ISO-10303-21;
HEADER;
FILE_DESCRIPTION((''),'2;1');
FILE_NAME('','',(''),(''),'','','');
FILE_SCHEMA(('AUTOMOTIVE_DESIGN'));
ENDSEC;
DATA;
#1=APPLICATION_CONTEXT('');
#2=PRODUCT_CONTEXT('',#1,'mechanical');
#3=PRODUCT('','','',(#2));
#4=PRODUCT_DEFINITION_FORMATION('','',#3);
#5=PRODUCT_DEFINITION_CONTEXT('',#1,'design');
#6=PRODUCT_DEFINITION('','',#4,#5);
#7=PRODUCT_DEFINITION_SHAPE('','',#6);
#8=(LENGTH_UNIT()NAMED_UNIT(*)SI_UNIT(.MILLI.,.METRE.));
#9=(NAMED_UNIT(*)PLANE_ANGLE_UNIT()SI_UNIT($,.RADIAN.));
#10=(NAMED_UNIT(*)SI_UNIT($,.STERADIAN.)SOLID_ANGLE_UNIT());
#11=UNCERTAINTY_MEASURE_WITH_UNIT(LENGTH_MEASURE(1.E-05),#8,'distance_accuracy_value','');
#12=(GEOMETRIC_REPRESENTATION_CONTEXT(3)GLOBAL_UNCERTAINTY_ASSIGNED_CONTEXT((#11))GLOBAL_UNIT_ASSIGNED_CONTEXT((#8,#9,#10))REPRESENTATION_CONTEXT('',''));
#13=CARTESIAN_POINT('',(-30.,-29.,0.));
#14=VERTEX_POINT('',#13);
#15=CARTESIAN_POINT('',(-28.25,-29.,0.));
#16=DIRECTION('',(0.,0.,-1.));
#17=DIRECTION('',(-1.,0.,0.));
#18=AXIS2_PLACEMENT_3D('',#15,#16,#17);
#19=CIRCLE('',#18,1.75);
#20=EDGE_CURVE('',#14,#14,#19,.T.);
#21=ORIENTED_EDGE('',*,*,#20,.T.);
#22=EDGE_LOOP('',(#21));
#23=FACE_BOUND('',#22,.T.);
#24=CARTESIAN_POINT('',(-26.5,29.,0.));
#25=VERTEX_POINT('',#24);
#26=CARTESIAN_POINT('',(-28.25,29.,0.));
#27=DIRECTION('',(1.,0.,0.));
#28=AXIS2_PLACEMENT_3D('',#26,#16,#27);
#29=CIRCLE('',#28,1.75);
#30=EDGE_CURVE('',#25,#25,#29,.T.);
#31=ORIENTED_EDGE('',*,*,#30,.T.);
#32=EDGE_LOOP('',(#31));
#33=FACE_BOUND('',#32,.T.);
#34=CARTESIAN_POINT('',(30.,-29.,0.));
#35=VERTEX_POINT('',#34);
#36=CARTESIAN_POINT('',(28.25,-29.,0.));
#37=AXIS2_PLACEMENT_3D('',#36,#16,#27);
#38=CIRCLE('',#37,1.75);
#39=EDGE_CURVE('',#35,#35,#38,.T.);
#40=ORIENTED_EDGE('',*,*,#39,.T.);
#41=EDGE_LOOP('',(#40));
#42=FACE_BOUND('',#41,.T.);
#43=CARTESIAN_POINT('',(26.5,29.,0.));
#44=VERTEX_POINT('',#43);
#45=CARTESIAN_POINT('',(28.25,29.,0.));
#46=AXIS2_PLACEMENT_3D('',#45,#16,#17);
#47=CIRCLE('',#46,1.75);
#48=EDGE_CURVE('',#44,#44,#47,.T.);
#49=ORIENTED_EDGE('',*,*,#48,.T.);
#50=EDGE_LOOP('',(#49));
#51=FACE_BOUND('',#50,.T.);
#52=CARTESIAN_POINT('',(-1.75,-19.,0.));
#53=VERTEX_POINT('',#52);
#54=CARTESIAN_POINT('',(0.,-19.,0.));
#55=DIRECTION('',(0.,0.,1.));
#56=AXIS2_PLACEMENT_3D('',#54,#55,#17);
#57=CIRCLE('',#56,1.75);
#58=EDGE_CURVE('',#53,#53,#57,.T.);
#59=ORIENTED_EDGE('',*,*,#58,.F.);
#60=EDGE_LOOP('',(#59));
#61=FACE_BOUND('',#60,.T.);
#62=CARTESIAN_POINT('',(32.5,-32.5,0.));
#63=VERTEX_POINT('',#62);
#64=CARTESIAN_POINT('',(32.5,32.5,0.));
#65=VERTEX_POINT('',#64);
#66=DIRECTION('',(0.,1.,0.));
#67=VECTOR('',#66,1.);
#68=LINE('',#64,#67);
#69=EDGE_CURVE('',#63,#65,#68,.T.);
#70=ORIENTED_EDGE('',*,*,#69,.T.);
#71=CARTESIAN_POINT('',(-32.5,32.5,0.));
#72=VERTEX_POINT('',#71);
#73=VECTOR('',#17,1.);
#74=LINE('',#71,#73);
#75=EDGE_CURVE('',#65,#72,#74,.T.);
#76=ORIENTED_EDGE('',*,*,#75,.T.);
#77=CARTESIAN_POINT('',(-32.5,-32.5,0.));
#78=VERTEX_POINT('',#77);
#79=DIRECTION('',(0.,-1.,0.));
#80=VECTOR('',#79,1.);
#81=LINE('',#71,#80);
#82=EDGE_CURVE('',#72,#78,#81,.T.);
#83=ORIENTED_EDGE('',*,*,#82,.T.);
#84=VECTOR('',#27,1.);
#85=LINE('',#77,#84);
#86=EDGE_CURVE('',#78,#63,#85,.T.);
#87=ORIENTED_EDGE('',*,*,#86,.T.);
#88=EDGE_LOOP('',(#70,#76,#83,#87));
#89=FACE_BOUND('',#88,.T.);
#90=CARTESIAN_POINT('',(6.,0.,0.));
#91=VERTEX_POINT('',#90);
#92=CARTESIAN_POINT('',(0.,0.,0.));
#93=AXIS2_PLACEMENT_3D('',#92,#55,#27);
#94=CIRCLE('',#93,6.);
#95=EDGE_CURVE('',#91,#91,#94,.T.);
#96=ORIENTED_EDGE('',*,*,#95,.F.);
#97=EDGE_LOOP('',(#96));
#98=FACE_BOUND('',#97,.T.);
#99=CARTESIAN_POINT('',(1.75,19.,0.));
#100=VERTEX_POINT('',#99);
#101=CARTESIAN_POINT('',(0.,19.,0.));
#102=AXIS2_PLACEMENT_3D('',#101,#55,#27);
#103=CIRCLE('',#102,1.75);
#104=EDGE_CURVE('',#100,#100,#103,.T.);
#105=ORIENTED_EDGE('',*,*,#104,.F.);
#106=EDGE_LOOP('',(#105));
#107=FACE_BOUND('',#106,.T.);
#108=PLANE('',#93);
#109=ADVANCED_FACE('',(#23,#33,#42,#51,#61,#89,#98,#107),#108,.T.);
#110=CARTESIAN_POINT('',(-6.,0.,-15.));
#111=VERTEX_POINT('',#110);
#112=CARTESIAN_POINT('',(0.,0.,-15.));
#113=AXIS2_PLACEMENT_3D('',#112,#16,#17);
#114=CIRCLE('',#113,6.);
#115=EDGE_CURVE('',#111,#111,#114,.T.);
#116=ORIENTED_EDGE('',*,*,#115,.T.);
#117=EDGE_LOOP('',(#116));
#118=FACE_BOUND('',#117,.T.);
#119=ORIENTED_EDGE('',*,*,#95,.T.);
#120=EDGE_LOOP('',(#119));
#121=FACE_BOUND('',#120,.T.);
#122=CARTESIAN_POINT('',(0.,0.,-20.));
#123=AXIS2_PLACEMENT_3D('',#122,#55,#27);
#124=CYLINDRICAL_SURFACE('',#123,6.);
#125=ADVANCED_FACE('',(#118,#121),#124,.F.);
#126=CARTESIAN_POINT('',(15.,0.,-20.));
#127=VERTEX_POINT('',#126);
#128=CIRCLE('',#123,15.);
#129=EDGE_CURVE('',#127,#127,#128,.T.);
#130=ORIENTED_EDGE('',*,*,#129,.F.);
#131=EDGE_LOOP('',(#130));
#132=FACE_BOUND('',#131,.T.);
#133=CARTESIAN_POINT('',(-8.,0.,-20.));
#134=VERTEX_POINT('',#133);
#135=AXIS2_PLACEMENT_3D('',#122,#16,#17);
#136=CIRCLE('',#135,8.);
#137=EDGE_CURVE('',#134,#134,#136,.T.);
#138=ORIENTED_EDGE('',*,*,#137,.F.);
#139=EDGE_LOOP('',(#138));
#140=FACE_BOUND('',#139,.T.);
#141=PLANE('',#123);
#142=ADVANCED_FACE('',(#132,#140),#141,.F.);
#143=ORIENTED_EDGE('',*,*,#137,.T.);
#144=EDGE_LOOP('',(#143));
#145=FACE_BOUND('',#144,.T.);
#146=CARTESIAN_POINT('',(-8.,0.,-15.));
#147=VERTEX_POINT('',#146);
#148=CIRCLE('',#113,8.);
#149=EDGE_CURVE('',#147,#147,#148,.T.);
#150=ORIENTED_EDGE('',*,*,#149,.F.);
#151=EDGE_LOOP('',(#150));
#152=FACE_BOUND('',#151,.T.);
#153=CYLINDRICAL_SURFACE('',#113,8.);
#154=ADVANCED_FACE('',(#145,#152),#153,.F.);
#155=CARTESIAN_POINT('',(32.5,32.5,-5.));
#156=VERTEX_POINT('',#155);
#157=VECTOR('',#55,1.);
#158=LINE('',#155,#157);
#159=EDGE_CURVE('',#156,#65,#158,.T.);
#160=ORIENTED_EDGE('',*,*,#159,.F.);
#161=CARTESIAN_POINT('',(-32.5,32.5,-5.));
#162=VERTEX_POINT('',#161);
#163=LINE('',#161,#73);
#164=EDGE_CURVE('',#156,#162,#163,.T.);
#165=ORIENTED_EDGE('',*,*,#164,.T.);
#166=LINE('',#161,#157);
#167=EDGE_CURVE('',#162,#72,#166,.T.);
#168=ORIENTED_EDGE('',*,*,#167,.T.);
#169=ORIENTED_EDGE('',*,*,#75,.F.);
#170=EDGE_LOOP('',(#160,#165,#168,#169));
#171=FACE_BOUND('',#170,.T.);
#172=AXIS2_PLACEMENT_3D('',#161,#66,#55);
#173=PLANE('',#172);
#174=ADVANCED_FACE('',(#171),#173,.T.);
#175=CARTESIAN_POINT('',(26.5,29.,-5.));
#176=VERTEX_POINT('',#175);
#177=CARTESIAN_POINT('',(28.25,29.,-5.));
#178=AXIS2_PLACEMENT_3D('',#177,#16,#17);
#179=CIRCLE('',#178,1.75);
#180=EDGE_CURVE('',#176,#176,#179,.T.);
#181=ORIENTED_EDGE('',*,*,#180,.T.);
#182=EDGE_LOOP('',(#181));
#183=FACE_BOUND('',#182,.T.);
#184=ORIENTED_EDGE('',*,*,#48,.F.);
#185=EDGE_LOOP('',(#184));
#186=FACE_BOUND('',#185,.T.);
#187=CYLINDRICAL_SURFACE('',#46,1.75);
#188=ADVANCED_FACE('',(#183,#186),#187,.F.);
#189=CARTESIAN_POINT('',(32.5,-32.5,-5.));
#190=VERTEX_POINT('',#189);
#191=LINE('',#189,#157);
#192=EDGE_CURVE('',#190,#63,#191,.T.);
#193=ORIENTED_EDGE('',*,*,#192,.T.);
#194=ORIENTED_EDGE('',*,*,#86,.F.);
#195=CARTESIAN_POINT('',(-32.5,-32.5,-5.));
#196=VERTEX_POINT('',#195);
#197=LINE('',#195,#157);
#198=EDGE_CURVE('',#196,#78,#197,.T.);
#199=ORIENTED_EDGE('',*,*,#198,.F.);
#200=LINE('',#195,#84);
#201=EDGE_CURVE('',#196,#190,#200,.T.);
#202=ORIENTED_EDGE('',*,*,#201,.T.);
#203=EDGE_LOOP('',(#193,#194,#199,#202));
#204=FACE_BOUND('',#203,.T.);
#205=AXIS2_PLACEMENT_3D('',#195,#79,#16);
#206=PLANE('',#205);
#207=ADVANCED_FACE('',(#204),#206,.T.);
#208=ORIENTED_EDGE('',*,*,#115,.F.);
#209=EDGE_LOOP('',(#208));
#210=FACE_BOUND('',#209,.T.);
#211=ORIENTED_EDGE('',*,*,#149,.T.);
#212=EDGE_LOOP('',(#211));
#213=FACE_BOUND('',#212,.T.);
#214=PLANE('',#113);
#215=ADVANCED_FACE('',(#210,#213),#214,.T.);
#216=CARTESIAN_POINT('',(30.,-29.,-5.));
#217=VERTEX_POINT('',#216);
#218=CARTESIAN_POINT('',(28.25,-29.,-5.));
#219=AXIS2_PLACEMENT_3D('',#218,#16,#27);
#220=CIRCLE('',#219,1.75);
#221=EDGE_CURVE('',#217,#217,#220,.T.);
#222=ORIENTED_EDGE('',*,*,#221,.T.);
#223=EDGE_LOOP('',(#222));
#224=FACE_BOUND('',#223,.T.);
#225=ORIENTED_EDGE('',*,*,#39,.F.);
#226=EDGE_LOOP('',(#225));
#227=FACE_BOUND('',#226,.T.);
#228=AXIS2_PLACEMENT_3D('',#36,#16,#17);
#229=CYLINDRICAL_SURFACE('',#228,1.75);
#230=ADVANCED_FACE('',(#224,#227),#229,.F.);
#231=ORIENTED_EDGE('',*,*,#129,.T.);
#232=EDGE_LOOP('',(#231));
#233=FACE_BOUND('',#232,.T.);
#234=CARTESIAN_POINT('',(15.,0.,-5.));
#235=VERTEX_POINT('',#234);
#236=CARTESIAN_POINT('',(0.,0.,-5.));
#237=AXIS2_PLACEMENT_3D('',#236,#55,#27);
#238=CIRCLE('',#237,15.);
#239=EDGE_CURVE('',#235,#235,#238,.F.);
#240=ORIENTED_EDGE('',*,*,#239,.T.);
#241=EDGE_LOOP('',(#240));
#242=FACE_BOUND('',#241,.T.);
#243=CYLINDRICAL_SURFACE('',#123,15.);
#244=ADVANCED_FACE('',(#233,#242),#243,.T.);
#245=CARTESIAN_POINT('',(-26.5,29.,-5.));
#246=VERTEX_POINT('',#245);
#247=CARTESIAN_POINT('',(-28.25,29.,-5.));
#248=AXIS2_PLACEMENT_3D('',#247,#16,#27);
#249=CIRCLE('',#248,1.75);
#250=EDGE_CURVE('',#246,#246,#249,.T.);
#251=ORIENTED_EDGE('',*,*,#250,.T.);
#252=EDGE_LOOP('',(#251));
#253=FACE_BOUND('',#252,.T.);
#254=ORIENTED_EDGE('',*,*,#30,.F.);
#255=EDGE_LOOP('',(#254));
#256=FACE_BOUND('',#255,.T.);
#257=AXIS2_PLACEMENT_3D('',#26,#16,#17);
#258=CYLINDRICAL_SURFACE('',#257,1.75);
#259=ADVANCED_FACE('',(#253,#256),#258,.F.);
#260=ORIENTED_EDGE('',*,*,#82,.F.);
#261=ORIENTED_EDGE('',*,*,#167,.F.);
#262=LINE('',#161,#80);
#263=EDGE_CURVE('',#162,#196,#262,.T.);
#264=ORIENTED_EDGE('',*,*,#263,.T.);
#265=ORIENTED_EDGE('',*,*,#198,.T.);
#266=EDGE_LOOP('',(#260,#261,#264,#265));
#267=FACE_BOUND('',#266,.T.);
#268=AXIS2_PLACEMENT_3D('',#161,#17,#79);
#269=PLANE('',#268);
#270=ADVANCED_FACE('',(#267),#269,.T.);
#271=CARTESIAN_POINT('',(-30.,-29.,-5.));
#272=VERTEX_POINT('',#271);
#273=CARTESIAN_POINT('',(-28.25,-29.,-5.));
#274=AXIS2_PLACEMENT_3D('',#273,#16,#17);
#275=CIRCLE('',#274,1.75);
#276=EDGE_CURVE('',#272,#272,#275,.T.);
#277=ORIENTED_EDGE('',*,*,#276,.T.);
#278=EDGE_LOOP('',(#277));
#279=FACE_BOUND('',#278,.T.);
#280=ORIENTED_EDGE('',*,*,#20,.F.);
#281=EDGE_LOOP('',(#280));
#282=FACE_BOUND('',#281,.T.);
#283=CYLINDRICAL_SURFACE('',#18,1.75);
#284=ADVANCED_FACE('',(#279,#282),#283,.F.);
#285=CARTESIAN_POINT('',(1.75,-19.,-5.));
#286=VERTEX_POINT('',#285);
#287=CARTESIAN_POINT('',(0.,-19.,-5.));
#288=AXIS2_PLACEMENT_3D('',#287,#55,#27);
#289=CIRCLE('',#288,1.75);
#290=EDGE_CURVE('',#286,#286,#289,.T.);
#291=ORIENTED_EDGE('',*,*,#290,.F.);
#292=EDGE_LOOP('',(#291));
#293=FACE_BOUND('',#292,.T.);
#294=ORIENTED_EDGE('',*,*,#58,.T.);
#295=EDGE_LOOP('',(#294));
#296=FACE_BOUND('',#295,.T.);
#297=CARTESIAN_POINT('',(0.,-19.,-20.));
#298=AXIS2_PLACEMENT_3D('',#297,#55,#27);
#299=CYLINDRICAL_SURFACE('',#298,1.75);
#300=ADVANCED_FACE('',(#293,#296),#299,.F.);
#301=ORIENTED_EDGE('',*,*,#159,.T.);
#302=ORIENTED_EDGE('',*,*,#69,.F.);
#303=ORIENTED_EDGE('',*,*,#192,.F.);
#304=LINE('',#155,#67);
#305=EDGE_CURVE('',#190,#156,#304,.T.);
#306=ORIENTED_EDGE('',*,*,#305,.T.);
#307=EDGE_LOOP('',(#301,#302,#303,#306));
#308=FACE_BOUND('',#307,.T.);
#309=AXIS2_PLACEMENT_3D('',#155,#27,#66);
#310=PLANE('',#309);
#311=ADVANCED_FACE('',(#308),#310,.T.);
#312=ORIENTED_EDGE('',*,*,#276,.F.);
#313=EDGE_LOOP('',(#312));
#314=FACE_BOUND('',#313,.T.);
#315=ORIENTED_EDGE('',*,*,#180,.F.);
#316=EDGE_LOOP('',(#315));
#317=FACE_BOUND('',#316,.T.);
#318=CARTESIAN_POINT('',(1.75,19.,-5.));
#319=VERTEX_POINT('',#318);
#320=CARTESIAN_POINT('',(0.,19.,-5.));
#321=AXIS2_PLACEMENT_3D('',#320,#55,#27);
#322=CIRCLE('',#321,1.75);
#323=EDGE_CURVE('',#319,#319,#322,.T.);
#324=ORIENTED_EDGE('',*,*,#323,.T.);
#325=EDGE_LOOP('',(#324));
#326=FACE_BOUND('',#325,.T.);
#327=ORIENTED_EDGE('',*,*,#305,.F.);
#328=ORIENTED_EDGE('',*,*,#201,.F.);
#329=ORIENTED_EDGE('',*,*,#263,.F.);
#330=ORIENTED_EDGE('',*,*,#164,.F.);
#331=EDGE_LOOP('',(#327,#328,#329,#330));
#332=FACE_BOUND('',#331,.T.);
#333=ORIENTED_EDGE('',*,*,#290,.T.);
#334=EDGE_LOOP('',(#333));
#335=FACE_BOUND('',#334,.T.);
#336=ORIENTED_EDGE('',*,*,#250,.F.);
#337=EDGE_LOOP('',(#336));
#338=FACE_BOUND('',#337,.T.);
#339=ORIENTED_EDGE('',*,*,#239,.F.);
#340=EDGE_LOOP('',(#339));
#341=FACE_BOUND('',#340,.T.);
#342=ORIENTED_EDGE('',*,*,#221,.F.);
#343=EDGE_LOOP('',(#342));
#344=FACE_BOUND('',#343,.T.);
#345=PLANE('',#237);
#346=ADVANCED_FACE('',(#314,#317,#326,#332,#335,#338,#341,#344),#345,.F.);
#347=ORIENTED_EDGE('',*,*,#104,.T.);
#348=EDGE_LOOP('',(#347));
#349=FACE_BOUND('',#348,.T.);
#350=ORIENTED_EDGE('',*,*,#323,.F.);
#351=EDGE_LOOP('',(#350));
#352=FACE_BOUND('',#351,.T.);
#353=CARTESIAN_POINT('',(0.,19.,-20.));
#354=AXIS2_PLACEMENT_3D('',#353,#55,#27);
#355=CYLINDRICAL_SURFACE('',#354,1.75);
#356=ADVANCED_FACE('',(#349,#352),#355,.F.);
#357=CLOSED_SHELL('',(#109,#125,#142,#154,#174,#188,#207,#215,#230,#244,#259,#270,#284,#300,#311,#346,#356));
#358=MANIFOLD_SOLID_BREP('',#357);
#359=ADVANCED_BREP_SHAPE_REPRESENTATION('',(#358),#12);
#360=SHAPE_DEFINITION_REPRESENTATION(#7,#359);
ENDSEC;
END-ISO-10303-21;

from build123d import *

# Parameters (mm, degrees)
SKETCH1_R           = 15
BOSS_EXTRUDE1_DEPTH = 20
SKETCH2_R           = 8
CUT_EXTRUDE1_DEPTH  = 5
SKETCH4_W           = 65
SKETCH4_H           = 65
BOSS_EXTRUDE2_DEPTH = 5
SKETCH3_R           = 6
CUT_EXTRUDE2_DEPTH  = 51.124844139
SKETCH5_R           = 1.75
CUT_EXTRUDE3_DEPTH  = 49.347699015
SKETCH6_R           = 1.75
CUT_EXTRUDE4_DEPTH  = 51.124844139


with BuildPart() as part:
    # Sketch1 → Boss-Extrude1 (new body)
    with BuildSketch(Plane.XY):
        Circle(SKETCH1_R)
    extrude(amount=-BOSS_EXTRUDE1_DEPTH)

    # Sketch2 → Cut-Extrude1 (cut)
    with BuildSketch(Plane(origin=(0, 0, -20), x_dir=(-1, 0, 0), z_dir=(0, 0, -1))):
        Circle(SKETCH2_R)
    extrude(amount=-CUT_EXTRUDE1_DEPTH, mode=Mode.SUBTRACT)

    # Sketch4 → Boss-Extrude2 (add)
    with BuildSketch(Plane.XY):
        Rectangle(SKETCH4_W, SKETCH4_H)
    extrude(amount=-BOSS_EXTRUDE2_DEPTH)

    # Sketch3 → Cut-Extrude2 (cut, through all)
    with BuildSketch(Plane.XY):
        Circle(SKETCH3_R)
    extrude(amount=-CUT_EXTRUDE2_DEPTH, mode=Mode.SUBTRACT)

    # Sketch5 → Cut-Extrude3 (cut, through all)
    with BuildSketch(Plane(origin=(0, 0, -5), x_dir=(-1, 0, 0), z_dir=(0, 0, -1))):
        with Locations((-28.25, 29)):
            Circle(SKETCH5_R)
        with Locations(Location((28.25, 29, 0), (0, 0, 180))):
            Circle(SKETCH5_R)
        with Locations((28.25, -29)):
            Circle(SKETCH5_R)
        with Locations(Location((-28.25, -29, 0), (0, 0, 180))):
            Circle(SKETCH5_R)
    extrude(amount=-CUT_EXTRUDE3_DEPTH, mode=Mode.SUBTRACT)

    # Sketch6 → Cut-Extrude4 (cut, through all)
    with BuildSketch(Plane.XY):
        with Locations((0, 19)):
            Circle(SKETCH6_R)
        with Locations((0, -19)):
            Circle(SKETCH6_R)
    extrude(amount=-CUT_EXTRUDE4_DEPTH, mode=Mode.SUBTRACT)


solid = part.part
